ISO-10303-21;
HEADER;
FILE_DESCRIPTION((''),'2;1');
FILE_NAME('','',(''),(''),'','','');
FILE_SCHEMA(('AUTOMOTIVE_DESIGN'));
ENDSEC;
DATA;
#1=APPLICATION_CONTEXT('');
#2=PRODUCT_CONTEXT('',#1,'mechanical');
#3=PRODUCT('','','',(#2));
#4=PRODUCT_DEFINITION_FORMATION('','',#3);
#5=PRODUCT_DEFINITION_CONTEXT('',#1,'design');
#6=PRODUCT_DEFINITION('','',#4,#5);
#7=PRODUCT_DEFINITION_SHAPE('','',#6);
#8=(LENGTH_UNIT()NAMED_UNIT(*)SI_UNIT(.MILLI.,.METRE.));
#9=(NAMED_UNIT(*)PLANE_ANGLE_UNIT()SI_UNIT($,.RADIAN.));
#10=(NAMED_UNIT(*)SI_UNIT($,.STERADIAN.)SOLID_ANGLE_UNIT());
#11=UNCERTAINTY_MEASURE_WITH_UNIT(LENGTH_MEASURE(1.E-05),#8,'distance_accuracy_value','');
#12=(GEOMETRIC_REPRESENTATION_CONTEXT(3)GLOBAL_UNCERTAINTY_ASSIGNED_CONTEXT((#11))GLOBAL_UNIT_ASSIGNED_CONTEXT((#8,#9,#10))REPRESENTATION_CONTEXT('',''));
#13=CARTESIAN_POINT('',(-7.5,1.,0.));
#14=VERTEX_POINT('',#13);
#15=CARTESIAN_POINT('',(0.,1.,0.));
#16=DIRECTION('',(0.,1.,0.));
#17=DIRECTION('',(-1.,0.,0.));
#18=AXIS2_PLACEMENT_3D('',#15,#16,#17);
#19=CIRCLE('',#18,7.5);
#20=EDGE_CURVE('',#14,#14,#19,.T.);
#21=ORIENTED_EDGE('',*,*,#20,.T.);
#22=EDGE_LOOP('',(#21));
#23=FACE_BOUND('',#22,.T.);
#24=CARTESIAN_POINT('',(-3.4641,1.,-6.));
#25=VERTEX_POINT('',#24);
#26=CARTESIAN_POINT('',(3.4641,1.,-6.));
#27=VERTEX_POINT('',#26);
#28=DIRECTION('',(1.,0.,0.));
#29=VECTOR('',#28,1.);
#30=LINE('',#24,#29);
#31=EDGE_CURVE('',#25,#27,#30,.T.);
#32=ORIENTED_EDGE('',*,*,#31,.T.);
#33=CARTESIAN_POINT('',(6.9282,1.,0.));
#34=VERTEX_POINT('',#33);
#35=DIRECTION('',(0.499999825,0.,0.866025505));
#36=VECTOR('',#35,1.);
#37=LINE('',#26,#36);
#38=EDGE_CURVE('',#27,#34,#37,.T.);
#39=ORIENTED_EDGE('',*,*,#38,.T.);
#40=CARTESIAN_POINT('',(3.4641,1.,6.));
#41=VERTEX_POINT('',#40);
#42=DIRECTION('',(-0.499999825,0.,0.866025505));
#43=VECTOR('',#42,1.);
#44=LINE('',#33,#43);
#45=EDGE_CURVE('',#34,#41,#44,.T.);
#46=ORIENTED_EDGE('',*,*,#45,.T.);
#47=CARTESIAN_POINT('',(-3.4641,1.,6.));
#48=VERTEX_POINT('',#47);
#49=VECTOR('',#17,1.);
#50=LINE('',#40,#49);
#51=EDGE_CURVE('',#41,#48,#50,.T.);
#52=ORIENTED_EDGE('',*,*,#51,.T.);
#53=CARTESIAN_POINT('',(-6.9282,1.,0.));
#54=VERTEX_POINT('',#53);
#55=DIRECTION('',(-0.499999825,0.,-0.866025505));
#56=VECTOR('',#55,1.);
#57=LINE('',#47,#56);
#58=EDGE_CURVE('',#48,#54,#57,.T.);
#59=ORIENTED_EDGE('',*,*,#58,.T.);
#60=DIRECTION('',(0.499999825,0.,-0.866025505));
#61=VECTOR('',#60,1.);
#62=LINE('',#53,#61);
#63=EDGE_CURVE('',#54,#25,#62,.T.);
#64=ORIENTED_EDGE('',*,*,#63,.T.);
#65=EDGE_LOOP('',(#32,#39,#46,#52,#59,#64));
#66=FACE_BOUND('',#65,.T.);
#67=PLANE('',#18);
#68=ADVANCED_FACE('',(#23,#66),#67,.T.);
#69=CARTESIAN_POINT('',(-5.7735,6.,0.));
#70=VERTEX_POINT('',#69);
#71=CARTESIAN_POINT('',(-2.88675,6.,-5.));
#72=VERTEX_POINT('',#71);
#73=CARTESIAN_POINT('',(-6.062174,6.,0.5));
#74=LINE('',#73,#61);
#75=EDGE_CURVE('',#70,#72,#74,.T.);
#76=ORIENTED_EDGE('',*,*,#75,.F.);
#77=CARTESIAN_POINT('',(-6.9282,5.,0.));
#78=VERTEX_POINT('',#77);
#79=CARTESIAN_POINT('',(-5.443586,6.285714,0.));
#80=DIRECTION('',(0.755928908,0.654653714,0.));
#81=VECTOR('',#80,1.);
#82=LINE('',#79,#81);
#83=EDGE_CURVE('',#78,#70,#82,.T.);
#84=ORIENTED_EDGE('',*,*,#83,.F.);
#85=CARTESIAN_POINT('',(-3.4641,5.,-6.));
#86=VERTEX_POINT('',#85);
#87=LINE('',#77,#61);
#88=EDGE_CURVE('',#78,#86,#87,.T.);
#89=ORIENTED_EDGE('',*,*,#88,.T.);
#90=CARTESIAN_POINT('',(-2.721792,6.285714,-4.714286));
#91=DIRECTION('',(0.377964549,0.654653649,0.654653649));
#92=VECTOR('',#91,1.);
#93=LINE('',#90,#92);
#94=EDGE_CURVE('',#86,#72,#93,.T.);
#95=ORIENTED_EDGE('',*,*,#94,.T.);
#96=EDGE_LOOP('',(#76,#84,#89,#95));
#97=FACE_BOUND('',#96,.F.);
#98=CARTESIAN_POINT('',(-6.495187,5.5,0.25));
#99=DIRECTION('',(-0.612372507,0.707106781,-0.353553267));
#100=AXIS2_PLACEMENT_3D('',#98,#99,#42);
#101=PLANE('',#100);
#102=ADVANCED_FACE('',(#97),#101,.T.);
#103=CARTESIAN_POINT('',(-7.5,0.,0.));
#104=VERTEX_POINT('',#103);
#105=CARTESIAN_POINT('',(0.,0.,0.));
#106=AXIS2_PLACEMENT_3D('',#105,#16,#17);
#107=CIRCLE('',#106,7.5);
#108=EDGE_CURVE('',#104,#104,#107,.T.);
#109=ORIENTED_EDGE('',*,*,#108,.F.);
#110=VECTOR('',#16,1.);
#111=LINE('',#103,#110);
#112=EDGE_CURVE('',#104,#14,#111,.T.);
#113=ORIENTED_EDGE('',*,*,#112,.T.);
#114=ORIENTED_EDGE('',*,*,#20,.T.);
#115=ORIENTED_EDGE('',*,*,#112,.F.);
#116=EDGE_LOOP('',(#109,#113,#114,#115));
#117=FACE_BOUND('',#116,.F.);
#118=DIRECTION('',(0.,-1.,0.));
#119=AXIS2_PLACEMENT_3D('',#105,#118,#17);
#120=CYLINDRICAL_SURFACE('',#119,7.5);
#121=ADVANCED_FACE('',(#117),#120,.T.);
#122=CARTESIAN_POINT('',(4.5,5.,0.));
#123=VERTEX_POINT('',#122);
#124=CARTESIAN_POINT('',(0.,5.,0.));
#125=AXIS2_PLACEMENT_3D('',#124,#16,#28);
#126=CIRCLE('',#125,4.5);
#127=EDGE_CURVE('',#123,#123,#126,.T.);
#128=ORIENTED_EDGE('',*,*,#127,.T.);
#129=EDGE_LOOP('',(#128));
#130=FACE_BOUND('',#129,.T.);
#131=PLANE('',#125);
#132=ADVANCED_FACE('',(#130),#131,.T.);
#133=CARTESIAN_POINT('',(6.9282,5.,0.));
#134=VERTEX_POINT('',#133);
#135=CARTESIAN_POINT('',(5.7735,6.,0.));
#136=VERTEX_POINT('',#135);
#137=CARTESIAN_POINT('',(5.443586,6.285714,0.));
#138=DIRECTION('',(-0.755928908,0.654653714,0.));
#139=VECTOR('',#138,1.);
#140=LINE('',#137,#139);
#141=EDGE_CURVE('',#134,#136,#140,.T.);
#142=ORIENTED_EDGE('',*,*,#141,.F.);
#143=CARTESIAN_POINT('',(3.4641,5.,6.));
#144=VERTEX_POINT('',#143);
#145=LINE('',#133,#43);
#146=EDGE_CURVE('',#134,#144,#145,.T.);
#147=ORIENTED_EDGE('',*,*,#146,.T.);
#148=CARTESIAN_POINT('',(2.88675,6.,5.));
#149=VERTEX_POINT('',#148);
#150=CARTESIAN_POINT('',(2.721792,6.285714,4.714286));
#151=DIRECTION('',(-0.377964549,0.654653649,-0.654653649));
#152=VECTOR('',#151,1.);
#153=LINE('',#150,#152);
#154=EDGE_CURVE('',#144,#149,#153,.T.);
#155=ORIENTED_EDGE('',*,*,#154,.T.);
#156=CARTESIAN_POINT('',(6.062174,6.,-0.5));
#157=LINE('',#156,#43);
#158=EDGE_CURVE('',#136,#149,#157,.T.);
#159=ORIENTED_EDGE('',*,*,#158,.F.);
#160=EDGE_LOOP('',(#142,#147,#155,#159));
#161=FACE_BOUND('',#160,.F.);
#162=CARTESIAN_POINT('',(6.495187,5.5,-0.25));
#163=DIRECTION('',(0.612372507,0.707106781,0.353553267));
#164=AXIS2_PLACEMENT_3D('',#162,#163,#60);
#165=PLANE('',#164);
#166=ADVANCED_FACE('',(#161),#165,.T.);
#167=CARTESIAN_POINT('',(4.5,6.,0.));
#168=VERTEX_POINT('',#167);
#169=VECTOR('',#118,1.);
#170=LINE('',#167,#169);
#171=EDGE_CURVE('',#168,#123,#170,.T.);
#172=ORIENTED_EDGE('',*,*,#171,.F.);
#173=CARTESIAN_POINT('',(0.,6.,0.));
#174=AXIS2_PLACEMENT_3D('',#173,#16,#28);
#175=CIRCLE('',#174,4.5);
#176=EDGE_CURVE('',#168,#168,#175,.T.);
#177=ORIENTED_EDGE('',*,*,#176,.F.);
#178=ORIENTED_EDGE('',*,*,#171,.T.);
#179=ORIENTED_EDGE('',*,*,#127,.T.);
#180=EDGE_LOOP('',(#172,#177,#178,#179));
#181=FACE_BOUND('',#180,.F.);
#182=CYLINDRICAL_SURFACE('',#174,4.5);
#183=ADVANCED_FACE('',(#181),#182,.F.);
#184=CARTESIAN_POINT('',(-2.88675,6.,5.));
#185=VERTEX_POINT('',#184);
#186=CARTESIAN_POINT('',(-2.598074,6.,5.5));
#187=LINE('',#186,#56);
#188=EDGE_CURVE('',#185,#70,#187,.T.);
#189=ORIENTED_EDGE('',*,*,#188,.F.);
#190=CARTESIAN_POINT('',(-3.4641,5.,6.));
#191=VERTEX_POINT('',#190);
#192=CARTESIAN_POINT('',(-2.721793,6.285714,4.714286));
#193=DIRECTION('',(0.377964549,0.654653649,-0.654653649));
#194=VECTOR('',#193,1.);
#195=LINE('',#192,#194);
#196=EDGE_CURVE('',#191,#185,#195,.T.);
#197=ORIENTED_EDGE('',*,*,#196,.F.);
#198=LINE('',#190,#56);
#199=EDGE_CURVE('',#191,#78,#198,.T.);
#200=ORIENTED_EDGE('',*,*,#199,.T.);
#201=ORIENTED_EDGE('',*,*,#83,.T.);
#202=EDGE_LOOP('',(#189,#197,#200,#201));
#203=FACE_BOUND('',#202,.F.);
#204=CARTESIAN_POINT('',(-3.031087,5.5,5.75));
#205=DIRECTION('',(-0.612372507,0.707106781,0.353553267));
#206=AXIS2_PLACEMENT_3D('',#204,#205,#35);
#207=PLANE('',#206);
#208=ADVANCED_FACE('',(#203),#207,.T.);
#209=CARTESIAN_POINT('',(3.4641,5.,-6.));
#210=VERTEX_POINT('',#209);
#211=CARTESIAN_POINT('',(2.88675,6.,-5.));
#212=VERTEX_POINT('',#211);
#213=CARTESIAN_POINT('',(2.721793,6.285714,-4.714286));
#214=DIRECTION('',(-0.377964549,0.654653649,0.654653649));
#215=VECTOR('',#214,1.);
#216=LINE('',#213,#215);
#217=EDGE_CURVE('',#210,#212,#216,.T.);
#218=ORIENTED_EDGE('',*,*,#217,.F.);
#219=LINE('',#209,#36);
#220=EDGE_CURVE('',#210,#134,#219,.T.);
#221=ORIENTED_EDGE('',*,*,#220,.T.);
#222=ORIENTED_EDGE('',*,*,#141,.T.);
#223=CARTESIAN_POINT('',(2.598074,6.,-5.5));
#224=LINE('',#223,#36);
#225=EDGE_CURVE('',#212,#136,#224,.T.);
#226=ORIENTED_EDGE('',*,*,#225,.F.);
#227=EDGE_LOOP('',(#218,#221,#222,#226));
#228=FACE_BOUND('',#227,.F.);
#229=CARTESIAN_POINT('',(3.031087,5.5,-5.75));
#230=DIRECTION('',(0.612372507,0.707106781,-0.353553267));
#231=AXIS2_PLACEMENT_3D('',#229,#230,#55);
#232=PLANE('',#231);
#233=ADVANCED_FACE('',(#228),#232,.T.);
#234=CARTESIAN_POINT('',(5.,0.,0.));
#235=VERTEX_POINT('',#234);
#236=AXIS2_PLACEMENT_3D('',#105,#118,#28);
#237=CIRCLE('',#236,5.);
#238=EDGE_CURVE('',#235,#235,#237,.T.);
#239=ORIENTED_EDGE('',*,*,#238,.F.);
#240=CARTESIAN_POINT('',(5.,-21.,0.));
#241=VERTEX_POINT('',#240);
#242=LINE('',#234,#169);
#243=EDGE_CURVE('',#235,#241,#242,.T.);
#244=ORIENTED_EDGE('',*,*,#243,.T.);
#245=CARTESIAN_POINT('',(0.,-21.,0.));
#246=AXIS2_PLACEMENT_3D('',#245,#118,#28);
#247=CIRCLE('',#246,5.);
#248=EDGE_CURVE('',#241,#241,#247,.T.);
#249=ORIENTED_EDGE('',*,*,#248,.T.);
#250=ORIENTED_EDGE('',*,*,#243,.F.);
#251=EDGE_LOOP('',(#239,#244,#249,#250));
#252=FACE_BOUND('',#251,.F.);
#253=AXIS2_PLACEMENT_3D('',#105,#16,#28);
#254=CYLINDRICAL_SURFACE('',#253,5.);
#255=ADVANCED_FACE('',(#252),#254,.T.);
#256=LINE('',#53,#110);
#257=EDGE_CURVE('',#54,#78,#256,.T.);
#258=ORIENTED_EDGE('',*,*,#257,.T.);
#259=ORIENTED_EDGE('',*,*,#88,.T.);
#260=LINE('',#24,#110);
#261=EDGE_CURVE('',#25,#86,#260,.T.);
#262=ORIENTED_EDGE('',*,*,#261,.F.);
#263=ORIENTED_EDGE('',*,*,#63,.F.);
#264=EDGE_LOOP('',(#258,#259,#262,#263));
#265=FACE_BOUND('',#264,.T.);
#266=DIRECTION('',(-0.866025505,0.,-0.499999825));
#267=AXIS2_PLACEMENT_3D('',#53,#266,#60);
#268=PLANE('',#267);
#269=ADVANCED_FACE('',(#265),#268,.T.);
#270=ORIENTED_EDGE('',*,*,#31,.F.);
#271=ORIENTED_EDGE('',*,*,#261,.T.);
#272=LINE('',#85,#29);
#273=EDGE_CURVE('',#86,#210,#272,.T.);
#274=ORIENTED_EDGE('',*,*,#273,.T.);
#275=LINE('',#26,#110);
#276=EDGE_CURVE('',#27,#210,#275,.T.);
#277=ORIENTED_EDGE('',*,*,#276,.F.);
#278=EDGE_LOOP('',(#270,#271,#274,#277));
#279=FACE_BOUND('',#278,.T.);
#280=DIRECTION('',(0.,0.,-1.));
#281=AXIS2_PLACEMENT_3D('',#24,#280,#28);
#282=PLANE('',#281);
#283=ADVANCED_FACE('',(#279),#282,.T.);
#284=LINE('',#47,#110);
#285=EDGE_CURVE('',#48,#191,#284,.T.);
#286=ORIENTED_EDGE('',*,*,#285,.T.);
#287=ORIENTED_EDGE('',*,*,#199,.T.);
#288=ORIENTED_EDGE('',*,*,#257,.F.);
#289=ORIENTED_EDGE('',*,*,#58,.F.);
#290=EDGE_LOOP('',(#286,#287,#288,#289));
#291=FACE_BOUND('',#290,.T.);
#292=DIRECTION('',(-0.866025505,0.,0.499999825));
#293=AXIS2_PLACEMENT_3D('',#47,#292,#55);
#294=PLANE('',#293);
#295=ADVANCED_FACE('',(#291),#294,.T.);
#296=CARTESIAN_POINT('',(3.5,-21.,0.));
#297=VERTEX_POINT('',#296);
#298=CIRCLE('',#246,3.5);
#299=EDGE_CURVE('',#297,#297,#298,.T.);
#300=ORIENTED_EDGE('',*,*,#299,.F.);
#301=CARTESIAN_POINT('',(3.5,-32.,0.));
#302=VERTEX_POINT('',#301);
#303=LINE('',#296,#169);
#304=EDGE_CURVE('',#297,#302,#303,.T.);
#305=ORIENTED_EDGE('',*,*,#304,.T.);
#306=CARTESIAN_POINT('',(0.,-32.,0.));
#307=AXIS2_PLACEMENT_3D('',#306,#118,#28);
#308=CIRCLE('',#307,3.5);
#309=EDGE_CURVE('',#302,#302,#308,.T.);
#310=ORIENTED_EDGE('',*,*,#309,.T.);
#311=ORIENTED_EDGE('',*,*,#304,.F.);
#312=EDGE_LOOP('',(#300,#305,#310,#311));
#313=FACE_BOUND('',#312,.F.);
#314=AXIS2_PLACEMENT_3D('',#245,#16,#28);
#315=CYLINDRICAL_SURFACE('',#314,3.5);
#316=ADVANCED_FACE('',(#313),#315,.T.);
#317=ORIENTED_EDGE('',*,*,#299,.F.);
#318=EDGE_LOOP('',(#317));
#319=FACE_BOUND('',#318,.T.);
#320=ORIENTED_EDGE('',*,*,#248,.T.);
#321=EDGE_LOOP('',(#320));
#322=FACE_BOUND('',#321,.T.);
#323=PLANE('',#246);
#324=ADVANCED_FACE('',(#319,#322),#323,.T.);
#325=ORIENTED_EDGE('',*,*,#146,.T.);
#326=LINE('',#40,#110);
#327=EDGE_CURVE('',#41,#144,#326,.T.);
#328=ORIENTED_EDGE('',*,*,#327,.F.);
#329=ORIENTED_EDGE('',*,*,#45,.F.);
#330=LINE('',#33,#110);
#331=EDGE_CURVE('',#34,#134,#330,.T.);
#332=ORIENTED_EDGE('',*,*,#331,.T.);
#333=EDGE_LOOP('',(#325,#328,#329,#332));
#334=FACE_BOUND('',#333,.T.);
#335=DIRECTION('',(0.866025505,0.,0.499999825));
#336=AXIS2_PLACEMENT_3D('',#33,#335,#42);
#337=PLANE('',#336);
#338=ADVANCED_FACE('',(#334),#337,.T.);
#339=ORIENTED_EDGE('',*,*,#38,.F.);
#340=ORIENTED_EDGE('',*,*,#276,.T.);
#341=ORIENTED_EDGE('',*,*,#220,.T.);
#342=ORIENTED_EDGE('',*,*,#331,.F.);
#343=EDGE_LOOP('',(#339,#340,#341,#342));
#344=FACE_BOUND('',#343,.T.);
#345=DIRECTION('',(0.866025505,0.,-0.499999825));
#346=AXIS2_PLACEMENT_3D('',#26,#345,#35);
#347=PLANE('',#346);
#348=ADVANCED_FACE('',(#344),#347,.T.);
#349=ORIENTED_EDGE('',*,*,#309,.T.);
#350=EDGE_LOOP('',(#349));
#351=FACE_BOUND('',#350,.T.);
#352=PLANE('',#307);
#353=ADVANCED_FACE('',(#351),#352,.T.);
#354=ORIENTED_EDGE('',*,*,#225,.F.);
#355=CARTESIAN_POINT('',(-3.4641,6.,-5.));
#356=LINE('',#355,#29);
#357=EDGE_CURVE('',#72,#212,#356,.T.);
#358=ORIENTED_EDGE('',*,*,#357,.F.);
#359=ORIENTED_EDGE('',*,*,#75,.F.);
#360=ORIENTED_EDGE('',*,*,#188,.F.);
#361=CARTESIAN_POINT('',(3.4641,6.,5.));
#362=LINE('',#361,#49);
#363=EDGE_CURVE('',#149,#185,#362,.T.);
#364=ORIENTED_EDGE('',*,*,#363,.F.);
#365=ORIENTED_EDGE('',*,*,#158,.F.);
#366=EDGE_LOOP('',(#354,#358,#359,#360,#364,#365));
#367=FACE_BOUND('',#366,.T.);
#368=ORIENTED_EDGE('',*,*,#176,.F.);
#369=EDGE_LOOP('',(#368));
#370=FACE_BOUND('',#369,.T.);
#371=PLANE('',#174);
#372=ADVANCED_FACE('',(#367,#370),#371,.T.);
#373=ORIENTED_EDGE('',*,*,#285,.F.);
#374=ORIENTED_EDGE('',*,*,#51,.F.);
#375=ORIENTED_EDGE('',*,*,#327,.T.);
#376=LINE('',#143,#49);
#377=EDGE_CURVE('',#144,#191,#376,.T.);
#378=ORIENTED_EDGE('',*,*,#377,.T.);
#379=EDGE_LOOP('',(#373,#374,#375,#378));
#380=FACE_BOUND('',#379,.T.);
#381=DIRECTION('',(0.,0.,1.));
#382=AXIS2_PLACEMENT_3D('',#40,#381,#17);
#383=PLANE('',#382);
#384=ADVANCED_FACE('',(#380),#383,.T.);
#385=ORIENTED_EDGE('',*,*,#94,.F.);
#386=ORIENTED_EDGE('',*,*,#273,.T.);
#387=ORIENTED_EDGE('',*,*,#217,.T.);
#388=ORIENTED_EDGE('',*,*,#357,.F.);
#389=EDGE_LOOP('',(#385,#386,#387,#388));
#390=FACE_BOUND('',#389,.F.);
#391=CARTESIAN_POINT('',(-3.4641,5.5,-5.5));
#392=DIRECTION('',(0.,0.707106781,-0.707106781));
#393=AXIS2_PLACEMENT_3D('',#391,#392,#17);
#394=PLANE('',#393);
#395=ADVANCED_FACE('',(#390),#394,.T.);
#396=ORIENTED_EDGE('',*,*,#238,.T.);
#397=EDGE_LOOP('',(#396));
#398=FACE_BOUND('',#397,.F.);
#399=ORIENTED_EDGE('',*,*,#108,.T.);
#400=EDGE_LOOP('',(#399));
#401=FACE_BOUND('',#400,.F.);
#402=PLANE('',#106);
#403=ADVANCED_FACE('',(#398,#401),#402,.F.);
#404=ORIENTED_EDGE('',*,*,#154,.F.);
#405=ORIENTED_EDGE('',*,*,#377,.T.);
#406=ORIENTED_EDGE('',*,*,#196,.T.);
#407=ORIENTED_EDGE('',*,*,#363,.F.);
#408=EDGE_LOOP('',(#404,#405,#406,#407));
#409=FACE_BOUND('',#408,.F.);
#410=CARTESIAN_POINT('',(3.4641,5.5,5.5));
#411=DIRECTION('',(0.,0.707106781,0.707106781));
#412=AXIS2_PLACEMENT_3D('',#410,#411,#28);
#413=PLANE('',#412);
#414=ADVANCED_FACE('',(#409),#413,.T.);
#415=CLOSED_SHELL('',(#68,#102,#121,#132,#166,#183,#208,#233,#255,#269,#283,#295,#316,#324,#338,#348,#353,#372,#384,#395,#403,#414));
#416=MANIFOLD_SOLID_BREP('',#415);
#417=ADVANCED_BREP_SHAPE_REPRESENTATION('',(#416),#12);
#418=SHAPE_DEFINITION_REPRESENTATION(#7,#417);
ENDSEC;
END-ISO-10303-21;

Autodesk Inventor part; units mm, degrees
ref_plane "YZ Plane" through (0, 0, 0) normal (1, 0, 0) x (0, 1, 0)
ref_plane "XZ Plane" through (0, 0, 0) normal (0, 1, 0) x (-1, 0, 0)
ref_plane "XY Plane" through (0, 0, 0) normal (0, 0, 1) x (1, 0, 0)
sketch "Boceto1" plane through (0, 0, 0) normal (0, 1, 0) x (-1, 0, 0)
  circle A0 centre (0, 0) radius 7.5
  dimension "d0" = 15
extrude "Extrusión1" add sketch "Boceto1" along normal blind 1
sketch "Boceto2" plane through (0, 1, 0) normal (0, 1, 0) x (1, 0, 0)
  line L0 (-3.4641, 6) -> (3.4641, 6)
  line L1 (3.4641, 6) -> (6.9282, 0)
  line L2 (6.9282, 0) -> (3.4641, -6)
  line L3 (3.4641, -6) -> (-3.4641, -6)
  line L4 (-3.4641, -6) -> (-6.9282, 0)
  line L5 (-6.9282, 0) -> (-3.4641, 6)
  point P0 (0, 0)
  point P1 (0, 0)
  dimension "d3" = 6
  dimension "d4" = 0
extrude "Extrusión2" add sketch "Boceto2" along normal blind 5
sketch "Boceto3" plane through (0, 0, 0) normal (0, -1, 0) x (1, 0, 0)
  circle A0 centre (0, 0) radius 5
  dimension "d7" = 10
extrude "Extrusión3" add sketch "Boceto3" along normal blind 21
sketch "Boceto5" plane through (0, -21, 0) normal (0, -1, 0) x (1, 0, 0)
  circle A0 centre (0, 0) radius 3.5
  dimension "d15" = 7
extrude "Extrusión4" add sketch "Boceto5" along normal blind 11
thread "Rosca2" size "M7x1" class "6g" standard "ANSI Metric M Profile" length 10
chamfer "Chaflán1" distance 1 angle 45 6 edges at (-5.1962, 6, -3) (0, 6, -6) (5.1962, 6, -3) (5.1962, 6, 3) (0, 6, 6) (-5.1962, 6, 3)
sketch "Boceto6" plane through (0, 6, 0) normal (0, 1, 0) x (1, 0, 0)
  circle A0 centre (0, 0) radius 4.5
  dimension "d23" = 9
extrude "Extrusión5" cut sketch "Boceto6" against normal blind 1
properties part number "BASE_PERNO"
